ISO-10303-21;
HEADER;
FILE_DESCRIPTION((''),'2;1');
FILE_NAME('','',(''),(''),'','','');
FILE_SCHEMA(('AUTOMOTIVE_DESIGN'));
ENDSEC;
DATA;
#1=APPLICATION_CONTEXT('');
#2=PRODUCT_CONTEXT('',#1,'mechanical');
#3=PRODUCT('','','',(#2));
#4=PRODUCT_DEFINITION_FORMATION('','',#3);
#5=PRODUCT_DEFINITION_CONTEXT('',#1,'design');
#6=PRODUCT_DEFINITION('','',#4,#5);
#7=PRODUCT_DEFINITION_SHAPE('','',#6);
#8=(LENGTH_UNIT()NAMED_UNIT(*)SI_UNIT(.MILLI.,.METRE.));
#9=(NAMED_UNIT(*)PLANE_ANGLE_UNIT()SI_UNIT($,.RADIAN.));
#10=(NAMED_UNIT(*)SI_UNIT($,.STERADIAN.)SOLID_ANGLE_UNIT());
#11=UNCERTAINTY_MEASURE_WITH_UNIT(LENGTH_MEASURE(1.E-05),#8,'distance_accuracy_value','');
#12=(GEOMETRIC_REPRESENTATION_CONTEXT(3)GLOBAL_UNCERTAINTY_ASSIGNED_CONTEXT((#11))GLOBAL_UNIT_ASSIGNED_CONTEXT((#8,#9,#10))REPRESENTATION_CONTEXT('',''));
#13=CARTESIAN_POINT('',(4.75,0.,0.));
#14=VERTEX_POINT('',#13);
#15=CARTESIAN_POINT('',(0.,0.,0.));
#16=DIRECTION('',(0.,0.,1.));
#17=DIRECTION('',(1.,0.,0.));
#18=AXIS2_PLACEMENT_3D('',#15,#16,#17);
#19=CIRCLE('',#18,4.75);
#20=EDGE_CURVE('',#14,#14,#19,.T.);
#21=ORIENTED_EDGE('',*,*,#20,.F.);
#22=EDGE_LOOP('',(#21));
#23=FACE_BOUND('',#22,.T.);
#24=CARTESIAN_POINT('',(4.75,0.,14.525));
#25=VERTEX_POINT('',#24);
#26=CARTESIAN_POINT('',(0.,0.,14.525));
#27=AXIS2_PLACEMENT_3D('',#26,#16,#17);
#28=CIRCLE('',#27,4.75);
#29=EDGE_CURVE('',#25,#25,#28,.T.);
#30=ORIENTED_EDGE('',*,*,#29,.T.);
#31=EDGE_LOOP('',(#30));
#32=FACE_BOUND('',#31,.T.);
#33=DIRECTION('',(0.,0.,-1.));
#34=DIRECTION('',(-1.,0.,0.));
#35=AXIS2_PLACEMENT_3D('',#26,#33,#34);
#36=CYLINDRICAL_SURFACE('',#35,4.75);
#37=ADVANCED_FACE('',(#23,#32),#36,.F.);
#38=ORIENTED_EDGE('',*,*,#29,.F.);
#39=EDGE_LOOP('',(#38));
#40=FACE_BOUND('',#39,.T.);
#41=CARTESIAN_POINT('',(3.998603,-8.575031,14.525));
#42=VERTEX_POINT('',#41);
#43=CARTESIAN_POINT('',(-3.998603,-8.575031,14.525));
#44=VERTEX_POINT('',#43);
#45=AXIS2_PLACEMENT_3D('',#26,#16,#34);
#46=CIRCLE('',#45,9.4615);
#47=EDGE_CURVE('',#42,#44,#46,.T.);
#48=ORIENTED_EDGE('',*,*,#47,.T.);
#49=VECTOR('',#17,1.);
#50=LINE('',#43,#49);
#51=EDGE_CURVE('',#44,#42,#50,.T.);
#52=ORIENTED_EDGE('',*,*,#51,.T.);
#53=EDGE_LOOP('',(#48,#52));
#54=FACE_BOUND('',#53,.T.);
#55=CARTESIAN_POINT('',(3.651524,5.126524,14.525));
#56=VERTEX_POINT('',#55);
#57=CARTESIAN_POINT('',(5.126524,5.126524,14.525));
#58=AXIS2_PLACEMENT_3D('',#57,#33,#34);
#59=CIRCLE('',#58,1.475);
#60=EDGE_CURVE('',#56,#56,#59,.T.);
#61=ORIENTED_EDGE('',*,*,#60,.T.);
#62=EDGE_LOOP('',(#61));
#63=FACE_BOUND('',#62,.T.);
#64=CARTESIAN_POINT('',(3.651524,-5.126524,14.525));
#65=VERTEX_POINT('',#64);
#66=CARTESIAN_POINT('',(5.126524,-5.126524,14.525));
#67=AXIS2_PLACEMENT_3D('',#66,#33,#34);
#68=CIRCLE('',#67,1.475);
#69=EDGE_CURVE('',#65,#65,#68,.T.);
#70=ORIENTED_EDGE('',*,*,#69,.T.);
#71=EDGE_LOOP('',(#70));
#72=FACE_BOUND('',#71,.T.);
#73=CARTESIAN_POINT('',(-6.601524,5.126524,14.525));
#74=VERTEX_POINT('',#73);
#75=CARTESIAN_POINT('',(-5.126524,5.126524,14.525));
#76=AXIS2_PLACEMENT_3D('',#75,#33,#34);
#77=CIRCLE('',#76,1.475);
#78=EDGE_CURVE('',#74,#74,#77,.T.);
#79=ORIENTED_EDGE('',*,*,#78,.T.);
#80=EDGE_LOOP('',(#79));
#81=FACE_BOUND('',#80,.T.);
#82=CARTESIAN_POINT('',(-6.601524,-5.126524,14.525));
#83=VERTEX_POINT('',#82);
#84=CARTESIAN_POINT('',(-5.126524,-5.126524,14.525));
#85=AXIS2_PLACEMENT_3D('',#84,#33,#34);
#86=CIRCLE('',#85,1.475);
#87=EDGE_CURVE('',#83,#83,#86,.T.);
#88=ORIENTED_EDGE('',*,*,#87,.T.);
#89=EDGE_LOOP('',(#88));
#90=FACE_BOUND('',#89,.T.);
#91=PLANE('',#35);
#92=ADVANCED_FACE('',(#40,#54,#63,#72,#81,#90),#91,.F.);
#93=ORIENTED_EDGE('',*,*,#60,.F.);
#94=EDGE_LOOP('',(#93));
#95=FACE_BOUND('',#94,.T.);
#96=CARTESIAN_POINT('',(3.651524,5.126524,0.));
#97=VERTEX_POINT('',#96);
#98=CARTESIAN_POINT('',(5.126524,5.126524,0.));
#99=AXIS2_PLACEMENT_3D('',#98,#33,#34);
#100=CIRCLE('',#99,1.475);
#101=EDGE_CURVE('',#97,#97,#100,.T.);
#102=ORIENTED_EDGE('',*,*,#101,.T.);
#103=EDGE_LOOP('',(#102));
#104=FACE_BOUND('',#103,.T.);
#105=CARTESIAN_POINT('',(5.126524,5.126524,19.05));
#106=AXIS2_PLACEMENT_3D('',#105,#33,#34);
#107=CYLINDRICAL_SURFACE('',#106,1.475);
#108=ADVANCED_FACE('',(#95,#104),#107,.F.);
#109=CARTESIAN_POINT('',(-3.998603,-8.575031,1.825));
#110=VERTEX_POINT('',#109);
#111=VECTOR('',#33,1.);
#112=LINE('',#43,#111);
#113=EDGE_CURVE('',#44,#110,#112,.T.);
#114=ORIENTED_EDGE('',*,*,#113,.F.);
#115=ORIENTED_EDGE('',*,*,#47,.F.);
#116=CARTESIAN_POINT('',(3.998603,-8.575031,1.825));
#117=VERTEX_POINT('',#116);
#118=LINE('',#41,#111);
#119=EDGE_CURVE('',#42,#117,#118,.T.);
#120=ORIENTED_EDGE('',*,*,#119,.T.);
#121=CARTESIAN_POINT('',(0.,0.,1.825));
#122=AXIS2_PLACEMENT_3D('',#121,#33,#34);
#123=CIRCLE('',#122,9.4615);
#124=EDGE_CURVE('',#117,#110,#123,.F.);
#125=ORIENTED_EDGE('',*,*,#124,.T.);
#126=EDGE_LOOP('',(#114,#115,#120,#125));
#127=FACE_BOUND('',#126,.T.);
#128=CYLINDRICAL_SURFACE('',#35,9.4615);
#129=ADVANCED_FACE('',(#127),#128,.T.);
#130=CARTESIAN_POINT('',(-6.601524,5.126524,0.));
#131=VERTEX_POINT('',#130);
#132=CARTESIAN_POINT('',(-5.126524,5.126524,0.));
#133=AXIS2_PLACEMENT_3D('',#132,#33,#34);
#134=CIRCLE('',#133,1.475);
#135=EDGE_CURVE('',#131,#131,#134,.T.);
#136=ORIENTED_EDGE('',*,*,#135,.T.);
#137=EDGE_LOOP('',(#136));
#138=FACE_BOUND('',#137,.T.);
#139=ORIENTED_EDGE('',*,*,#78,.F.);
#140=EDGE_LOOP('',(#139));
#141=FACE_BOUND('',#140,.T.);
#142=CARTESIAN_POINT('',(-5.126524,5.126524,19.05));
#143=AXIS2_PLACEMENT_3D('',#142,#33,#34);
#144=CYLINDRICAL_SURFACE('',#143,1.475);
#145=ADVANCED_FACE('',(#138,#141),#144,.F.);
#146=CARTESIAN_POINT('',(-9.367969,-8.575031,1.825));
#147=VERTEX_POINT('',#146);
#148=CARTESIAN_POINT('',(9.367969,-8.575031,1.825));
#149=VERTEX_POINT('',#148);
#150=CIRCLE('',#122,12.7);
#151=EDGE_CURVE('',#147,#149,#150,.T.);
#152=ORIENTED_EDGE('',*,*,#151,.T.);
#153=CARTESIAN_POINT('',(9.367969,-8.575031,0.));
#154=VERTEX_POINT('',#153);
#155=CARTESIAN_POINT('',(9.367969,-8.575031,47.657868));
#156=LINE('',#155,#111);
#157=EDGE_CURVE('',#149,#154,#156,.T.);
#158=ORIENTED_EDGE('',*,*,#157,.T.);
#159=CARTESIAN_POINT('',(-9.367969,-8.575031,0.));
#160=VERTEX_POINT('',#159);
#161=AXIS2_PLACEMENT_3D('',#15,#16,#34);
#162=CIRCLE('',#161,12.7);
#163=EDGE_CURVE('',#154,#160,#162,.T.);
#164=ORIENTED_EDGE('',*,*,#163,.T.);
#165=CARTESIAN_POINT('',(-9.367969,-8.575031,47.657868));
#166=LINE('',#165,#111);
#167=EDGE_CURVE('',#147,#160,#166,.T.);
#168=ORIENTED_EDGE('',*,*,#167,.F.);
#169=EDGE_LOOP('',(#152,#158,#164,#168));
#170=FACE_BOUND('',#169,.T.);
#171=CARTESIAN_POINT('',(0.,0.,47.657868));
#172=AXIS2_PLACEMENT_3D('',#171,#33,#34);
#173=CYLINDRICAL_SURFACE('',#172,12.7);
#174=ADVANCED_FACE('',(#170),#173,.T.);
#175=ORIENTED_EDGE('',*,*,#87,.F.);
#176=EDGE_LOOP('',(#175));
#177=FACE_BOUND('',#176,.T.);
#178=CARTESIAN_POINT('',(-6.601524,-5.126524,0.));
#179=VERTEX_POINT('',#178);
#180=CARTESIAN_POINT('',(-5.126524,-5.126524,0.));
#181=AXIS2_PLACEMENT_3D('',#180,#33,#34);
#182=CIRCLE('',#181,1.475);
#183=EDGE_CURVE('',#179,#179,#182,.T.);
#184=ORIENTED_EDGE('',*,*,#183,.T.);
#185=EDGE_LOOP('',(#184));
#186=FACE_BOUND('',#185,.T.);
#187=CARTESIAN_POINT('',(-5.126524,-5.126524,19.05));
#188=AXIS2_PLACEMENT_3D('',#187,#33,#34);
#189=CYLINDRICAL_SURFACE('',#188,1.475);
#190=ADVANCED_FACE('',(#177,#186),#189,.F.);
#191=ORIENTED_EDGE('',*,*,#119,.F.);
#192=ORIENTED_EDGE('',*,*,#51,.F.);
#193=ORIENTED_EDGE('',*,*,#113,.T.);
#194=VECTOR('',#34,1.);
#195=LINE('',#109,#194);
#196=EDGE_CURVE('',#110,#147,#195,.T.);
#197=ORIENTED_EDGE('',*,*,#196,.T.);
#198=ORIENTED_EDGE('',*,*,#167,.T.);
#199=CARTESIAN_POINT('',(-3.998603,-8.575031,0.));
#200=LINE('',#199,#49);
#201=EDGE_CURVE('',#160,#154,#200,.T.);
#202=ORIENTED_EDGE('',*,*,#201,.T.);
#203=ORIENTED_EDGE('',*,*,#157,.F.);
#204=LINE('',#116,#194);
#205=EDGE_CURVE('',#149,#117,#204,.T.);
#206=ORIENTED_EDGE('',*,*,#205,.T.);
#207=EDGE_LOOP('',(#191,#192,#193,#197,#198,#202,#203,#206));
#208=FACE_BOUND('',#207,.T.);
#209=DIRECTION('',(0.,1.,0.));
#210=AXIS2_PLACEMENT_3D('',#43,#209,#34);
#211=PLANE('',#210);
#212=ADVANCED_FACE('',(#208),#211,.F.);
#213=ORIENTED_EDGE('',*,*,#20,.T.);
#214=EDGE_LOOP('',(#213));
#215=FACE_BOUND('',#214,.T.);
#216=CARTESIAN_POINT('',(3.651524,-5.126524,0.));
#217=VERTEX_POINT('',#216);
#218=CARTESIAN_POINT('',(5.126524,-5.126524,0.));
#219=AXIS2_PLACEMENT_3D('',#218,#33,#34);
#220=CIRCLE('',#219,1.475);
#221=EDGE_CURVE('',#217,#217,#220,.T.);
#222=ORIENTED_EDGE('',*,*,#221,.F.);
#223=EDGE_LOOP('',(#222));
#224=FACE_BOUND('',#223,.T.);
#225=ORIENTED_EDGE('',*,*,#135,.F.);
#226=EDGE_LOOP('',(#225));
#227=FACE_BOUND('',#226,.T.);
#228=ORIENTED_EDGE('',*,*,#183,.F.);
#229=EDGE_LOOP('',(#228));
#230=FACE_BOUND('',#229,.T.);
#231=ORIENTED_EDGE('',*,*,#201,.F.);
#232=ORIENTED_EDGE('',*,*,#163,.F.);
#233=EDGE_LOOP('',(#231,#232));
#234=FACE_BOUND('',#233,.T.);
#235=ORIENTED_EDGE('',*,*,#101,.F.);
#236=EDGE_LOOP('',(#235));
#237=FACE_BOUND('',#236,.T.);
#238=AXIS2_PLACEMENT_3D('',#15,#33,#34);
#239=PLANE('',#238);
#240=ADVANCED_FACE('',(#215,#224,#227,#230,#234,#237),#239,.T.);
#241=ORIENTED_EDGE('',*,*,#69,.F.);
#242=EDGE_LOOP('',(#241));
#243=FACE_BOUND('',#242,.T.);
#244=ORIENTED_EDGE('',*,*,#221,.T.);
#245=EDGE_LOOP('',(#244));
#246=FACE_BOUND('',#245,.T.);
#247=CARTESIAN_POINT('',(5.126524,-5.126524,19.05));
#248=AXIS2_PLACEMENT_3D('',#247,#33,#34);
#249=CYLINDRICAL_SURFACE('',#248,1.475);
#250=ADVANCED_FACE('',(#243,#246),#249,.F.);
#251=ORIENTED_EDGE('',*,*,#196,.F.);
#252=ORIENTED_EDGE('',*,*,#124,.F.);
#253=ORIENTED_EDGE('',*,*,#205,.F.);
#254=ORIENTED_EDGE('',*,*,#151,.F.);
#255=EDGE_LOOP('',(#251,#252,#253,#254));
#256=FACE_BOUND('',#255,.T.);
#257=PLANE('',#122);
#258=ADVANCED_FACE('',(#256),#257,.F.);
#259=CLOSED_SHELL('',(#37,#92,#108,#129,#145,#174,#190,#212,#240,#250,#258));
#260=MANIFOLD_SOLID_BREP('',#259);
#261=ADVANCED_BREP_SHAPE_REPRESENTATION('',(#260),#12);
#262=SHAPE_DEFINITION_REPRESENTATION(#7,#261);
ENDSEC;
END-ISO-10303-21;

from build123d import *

# Parameters (mm, degrees)
SKETCH1_R           = 4.750000025
BOSS_EXTRUDE1_DEPTH = 14.524999906
SKETCH3_R           = 1.474999971
CUT_EXTRUDE1_DEPTH  = 19.05
BOSS_EXTRUDE2_DEPTH = 1.825


with BuildPart() as part:
    # Sketch1 → Boss-Extrude1 (new body)
    with BuildSketch(Plane.XY):
        with BuildLine():
            Line((-3.998602683, -8.575031127), (3.998602683, -8.575031127))
            ThreePointArc((3.998602683, -8.575031127), (0, 9.4615), (-3.998602683, -8.575031127))
        make_face()
        Circle(SKETCH1_R, mode=Mode.SUBTRACT)
    extrude(amount=BOSS_EXTRUDE1_DEPTH)

    # Sketch3 → Cut-Extrude1 (cut)
    with BuildSketch(Plane(origin=(0, 0, 0), x_dir=(-1, 0, 0), z_dir=(0, 0, -1))):
        with Locations((5.126524148, -5.126524148)):
            Circle(SKETCH3_R)
        with Locations((-5.126524148, -5.126524148)):
            Circle(SKETCH3_R)
        with Locations((-5.126524148, 5.126524148)):
            Circle(SKETCH3_R)
        with Locations((5.126524148, 5.126524148)):
            Circle(SKETCH3_R)
    extrude(amount=-CUT_EXTRUDE1_DEPTH, mode=Mode.SUBTRACT)

    # Sketch4 → Boss-Extrude2 (add)
    with BuildSketch(Plane.XY):
        with BuildLine():
            Line((-3.998602683, -8.575031127), (-9.367968892, -8.575031127))
            ThreePointArc((-9.367968892, -8.575031127), (0, 12.7), (9.367968892, -8.575031127))
            Line((9.367968892, -8.575031127), (3.998602683, -8.575031127))
            ThreePointArc((3.998602683, -8.575031127), (0, 9.4615), (-3.998602683, -8.575031127))
        make_face()
    extrude(amount=BOSS_EXTRUDE2_DEPTH)


solid = part.part
